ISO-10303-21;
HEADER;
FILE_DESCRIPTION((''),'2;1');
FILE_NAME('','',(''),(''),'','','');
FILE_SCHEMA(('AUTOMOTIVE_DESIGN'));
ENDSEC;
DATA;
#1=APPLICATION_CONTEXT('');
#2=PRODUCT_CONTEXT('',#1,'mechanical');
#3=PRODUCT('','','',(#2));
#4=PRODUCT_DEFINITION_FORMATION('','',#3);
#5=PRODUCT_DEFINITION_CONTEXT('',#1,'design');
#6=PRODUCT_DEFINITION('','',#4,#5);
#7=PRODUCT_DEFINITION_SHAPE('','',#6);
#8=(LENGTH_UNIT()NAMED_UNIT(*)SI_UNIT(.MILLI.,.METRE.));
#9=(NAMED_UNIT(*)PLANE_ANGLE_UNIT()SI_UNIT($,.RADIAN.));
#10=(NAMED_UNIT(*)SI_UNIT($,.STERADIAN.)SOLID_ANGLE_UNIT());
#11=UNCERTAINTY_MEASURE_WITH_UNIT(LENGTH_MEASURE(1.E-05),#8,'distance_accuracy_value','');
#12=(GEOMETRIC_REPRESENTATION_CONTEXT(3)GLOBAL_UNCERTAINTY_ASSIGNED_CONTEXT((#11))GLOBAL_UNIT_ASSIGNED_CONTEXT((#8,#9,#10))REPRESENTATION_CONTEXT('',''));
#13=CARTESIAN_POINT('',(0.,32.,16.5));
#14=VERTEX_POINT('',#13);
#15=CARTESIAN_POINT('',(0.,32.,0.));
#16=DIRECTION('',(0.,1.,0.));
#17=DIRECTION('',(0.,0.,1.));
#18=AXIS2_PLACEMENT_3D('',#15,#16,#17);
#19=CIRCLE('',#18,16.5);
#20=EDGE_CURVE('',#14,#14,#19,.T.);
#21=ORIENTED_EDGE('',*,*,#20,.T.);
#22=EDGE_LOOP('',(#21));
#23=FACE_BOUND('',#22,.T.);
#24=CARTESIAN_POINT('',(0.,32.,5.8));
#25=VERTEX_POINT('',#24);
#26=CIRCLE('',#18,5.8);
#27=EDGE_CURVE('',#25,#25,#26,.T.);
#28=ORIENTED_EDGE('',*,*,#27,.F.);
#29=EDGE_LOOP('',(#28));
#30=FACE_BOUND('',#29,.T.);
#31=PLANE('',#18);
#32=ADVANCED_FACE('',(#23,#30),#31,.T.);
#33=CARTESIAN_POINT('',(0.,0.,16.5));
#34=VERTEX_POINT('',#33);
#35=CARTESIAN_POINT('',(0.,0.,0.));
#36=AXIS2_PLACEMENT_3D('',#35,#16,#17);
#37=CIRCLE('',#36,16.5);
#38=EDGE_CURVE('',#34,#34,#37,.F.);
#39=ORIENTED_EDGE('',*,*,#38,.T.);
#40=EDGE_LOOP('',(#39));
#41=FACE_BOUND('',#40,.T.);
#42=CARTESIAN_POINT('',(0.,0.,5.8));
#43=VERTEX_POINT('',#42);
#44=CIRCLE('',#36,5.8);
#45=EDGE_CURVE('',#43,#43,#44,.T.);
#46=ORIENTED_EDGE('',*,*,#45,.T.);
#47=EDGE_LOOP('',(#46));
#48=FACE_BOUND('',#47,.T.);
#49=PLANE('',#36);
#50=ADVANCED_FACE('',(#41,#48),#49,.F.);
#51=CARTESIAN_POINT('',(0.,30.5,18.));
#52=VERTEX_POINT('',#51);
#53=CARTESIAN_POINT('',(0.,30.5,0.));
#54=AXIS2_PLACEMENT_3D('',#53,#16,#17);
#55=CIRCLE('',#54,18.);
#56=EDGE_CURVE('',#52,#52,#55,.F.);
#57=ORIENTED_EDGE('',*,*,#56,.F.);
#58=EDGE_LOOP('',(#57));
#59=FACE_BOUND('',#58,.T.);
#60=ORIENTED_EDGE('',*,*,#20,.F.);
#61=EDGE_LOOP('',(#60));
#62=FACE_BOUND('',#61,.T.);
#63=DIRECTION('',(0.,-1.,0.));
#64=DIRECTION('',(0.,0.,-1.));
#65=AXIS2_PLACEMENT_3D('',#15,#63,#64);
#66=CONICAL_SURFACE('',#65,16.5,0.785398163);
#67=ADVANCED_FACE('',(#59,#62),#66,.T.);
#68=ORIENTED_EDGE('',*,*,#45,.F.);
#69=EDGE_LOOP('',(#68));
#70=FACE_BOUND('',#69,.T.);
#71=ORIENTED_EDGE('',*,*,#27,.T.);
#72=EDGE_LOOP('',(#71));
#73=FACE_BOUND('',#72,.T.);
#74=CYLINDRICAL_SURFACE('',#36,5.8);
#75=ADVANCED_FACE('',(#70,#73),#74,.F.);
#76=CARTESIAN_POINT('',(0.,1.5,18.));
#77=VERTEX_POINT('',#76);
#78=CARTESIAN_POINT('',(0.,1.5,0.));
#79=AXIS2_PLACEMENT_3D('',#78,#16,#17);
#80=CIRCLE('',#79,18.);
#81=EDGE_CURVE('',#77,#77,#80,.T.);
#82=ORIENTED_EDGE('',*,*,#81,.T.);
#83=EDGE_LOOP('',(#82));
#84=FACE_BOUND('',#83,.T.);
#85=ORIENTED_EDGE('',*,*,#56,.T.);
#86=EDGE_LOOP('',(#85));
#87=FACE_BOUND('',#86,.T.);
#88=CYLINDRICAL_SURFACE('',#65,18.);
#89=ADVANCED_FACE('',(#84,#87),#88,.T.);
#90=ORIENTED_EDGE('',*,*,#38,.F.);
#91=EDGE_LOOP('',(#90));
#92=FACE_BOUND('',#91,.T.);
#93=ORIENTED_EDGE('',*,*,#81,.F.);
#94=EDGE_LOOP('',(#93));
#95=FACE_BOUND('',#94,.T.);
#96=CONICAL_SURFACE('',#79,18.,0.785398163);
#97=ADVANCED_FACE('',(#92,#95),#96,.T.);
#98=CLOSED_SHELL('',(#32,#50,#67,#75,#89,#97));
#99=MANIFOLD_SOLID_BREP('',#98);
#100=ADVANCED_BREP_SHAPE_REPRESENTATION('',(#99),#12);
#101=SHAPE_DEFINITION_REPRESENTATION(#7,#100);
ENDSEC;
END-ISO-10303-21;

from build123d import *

# Parameters (mm, degrees)
SKETCH1_R           = 18
BOSS_EXTRUDE1_DEPTH = 32
SKETCH2_R           = 5.8
CUT_EXTRUDE1_DEPTH  = 41.890096601
CHAMFER1_SIZE       = 1.5


with BuildPart() as part:
    # Sketch1 → Boss-Extrude1 (new body)
    with BuildSketch(Plane(origin=(0, 0, 0), x_dir=(1, 0, 0), z_dir=(0, 1, 0))):
        with Locations(Location((0, 0, 0), (0, 0, 270))):
            Circle(SKETCH1_R)
    extrude(amount=BOSS_EXTRUDE1_DEPTH)

    # Sketch2 → Cut-Extrude1 (cut, through all)
    with BuildSketch(Plane(origin=(0, 32, 0), x_dir=(1, 0, 0), z_dir=(0, 1, 0))):
        with Locations(Location((0, 0, 0), (0, 0, 270))):
            Circle(SKETCH2_R)
    extrude(amount=-CUT_EXTRUDE1_DEPTH, mode=Mode.SUBTRACT)

    # Chamfer1
    chamfer1_edges = [part.edges().sort_by_distance(p)[0] for p in [
        (0, 0, -18),
        (0, 32, -18),
    ]]
    chamfer(chamfer1_edges, length=CHAMFER1_SIZE)


solid = part.part
